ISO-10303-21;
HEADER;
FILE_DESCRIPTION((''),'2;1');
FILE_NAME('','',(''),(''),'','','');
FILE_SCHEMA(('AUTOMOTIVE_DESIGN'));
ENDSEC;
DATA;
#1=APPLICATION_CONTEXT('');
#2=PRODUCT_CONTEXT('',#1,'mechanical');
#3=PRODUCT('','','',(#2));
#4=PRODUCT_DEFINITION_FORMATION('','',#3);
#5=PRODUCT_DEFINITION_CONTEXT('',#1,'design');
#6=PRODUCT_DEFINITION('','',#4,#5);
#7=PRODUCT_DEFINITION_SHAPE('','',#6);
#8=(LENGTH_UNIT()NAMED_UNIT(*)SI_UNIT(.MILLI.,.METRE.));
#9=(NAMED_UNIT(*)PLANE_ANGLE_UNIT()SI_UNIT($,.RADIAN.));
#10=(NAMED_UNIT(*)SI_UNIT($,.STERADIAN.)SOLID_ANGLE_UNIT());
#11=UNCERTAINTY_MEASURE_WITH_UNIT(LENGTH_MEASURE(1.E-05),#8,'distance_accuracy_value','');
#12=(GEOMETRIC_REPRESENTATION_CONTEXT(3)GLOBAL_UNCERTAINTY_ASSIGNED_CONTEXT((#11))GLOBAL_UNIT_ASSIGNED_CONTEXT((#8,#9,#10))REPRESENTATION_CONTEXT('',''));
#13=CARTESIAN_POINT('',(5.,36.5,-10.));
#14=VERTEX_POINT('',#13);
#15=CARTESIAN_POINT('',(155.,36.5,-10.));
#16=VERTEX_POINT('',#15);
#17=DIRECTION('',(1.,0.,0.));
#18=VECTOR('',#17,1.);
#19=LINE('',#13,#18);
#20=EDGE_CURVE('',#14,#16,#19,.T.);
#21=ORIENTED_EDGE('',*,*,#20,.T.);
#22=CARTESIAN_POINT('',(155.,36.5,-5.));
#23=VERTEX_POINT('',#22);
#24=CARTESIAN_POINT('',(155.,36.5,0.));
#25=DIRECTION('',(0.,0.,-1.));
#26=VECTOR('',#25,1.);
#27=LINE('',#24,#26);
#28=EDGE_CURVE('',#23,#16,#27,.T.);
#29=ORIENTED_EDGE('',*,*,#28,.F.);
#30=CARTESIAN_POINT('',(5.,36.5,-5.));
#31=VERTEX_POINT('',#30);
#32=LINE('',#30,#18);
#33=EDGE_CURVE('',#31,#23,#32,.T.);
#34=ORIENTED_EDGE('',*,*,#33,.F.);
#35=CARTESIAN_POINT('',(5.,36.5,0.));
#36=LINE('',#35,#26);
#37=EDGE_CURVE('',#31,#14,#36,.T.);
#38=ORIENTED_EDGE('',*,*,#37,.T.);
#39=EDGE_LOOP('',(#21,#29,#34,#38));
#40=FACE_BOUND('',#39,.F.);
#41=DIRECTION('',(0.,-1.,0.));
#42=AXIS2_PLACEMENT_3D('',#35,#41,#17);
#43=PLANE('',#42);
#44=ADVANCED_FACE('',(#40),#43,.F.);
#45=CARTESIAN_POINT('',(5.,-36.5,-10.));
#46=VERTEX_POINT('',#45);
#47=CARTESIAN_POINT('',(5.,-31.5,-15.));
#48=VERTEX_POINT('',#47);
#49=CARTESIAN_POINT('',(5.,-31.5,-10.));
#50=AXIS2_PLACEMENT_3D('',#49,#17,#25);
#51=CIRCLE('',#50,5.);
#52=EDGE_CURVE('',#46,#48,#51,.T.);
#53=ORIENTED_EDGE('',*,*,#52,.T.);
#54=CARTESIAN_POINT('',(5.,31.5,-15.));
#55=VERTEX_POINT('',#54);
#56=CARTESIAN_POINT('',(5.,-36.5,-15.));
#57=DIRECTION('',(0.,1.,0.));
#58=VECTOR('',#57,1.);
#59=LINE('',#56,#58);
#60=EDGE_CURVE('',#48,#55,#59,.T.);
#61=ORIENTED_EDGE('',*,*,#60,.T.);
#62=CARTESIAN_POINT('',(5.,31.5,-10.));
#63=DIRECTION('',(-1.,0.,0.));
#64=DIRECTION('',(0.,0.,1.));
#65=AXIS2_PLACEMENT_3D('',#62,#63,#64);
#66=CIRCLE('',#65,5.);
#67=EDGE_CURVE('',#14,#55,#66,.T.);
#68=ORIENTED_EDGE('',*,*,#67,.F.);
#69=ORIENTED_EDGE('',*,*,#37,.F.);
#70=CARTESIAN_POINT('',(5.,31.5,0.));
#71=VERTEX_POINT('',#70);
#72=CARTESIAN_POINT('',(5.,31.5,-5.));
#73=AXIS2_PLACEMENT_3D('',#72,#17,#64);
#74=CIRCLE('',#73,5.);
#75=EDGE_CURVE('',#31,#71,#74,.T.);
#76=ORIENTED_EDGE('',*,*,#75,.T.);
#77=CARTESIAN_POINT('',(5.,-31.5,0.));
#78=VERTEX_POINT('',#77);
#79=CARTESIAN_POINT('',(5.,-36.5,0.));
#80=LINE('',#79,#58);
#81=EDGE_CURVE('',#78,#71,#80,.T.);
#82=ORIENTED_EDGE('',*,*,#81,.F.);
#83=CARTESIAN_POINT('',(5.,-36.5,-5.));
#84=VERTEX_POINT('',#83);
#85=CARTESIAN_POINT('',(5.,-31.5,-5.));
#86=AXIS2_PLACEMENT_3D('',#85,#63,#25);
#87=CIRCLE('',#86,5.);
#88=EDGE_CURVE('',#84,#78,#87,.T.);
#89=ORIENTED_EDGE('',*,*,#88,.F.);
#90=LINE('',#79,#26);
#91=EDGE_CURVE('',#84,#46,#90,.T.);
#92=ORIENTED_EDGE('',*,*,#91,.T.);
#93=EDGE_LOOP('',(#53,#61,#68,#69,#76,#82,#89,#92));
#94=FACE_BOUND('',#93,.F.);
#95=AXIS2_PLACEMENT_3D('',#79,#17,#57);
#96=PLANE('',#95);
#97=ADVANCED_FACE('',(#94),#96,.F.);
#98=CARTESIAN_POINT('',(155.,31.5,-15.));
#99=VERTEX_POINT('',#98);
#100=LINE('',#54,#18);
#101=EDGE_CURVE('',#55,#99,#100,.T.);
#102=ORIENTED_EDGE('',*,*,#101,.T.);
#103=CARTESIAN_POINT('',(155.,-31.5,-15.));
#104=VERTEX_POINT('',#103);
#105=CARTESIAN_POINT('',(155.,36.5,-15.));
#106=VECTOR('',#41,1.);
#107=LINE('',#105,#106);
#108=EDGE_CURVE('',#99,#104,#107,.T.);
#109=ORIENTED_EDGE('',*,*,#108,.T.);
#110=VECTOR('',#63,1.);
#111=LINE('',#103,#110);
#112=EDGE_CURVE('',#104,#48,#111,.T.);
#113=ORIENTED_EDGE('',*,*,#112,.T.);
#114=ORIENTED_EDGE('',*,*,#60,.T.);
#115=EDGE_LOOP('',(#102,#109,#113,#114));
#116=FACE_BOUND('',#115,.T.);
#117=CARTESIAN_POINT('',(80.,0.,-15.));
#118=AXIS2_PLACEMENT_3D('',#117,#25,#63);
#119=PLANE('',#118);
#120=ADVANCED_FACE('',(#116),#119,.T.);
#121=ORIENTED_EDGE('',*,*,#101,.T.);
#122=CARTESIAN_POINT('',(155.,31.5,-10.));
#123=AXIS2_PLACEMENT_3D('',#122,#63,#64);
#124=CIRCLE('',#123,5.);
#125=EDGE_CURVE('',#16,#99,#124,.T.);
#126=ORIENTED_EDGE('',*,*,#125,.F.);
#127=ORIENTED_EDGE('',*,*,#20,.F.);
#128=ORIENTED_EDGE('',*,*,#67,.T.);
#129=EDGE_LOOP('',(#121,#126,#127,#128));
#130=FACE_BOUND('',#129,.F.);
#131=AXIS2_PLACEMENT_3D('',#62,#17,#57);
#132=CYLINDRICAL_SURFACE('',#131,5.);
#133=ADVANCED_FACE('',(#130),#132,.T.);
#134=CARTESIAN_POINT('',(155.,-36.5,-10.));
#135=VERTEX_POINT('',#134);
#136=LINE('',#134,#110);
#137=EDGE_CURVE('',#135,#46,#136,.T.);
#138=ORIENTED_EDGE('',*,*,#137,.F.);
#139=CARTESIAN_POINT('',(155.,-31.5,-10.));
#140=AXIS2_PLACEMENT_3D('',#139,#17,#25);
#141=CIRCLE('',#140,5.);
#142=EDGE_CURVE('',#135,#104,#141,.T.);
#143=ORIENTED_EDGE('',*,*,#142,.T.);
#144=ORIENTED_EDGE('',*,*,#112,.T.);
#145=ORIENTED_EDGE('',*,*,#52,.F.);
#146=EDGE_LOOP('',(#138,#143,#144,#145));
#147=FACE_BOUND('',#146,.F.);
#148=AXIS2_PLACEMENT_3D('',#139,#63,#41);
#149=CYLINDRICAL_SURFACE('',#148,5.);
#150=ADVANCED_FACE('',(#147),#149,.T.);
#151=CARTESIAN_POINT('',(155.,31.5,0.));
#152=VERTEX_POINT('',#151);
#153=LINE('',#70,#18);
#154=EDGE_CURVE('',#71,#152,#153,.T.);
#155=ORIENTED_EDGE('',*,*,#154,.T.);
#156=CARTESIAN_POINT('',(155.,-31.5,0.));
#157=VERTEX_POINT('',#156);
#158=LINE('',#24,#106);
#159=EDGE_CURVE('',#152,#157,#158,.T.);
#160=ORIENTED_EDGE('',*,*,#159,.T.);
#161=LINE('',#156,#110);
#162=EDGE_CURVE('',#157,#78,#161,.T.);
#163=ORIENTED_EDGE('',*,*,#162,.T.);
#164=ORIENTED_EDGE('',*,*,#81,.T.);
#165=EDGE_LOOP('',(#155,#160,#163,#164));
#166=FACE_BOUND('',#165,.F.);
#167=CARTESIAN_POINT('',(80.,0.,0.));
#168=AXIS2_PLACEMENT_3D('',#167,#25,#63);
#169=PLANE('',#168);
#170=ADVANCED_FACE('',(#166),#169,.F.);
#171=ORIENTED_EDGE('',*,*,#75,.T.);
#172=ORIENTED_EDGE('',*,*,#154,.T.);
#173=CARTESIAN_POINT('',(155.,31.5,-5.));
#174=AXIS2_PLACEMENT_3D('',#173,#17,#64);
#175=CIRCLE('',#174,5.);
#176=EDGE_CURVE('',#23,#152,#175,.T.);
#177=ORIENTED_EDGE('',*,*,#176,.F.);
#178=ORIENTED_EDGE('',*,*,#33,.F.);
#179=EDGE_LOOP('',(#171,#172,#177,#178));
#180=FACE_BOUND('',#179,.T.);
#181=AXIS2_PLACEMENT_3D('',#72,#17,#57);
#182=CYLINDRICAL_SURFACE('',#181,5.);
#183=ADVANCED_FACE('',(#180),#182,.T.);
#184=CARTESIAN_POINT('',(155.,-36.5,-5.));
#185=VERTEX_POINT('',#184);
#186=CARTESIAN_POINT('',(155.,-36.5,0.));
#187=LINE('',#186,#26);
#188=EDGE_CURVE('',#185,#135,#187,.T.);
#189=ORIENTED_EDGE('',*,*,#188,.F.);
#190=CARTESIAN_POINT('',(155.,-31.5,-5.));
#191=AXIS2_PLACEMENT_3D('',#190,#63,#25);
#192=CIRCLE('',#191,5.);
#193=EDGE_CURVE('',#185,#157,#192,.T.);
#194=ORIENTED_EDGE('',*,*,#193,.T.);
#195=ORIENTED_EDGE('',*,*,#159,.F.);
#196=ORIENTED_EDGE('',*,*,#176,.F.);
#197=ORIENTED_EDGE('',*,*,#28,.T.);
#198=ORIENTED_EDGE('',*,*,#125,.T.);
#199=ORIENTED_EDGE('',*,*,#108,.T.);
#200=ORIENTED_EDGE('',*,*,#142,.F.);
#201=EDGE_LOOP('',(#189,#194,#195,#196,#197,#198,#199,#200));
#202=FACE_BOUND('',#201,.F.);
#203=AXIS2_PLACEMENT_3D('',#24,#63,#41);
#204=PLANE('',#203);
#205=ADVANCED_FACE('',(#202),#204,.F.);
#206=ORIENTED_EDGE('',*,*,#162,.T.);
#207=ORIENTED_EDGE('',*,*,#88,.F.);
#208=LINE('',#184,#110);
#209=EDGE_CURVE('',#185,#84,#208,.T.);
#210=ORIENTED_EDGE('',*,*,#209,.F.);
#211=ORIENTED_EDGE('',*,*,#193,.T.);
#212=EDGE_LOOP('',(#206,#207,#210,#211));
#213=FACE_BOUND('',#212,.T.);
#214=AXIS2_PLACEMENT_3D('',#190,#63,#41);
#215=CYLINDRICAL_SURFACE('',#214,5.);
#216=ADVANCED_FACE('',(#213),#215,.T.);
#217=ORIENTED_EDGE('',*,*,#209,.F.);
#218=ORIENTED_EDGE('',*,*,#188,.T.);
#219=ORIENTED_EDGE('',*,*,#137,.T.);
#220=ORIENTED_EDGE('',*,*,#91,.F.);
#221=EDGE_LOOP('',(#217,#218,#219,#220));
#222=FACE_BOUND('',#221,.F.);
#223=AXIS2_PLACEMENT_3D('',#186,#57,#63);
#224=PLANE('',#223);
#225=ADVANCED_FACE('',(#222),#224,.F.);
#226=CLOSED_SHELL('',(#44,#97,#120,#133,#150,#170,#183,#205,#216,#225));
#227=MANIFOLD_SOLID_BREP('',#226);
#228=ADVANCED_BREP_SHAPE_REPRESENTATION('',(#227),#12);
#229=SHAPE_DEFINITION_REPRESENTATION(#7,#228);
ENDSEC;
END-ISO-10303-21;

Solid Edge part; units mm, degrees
sketch "Sketch1" plane through (0, 0, 0) normal (0, 0, -1) x (-1, 0, 0)
  line L0 (-5, -36.5) -> (-5, 36.5)
  line L1 (-5, 36.5) -> (-155, 36.5)
  line L2 (-155, 36.5) -> (-155, -36.5)
  line L3 (-155, -36.5) -> (-5, -36.5)
extrude "Protrusion1" add sketch "Sketch1" along normal blind 15
fillet "Round_1" radius 5 4 edges at (80, 36.5, -15) (80, -36.5, -15) (80, 36.5, 0) (80, -36.5, 0)
